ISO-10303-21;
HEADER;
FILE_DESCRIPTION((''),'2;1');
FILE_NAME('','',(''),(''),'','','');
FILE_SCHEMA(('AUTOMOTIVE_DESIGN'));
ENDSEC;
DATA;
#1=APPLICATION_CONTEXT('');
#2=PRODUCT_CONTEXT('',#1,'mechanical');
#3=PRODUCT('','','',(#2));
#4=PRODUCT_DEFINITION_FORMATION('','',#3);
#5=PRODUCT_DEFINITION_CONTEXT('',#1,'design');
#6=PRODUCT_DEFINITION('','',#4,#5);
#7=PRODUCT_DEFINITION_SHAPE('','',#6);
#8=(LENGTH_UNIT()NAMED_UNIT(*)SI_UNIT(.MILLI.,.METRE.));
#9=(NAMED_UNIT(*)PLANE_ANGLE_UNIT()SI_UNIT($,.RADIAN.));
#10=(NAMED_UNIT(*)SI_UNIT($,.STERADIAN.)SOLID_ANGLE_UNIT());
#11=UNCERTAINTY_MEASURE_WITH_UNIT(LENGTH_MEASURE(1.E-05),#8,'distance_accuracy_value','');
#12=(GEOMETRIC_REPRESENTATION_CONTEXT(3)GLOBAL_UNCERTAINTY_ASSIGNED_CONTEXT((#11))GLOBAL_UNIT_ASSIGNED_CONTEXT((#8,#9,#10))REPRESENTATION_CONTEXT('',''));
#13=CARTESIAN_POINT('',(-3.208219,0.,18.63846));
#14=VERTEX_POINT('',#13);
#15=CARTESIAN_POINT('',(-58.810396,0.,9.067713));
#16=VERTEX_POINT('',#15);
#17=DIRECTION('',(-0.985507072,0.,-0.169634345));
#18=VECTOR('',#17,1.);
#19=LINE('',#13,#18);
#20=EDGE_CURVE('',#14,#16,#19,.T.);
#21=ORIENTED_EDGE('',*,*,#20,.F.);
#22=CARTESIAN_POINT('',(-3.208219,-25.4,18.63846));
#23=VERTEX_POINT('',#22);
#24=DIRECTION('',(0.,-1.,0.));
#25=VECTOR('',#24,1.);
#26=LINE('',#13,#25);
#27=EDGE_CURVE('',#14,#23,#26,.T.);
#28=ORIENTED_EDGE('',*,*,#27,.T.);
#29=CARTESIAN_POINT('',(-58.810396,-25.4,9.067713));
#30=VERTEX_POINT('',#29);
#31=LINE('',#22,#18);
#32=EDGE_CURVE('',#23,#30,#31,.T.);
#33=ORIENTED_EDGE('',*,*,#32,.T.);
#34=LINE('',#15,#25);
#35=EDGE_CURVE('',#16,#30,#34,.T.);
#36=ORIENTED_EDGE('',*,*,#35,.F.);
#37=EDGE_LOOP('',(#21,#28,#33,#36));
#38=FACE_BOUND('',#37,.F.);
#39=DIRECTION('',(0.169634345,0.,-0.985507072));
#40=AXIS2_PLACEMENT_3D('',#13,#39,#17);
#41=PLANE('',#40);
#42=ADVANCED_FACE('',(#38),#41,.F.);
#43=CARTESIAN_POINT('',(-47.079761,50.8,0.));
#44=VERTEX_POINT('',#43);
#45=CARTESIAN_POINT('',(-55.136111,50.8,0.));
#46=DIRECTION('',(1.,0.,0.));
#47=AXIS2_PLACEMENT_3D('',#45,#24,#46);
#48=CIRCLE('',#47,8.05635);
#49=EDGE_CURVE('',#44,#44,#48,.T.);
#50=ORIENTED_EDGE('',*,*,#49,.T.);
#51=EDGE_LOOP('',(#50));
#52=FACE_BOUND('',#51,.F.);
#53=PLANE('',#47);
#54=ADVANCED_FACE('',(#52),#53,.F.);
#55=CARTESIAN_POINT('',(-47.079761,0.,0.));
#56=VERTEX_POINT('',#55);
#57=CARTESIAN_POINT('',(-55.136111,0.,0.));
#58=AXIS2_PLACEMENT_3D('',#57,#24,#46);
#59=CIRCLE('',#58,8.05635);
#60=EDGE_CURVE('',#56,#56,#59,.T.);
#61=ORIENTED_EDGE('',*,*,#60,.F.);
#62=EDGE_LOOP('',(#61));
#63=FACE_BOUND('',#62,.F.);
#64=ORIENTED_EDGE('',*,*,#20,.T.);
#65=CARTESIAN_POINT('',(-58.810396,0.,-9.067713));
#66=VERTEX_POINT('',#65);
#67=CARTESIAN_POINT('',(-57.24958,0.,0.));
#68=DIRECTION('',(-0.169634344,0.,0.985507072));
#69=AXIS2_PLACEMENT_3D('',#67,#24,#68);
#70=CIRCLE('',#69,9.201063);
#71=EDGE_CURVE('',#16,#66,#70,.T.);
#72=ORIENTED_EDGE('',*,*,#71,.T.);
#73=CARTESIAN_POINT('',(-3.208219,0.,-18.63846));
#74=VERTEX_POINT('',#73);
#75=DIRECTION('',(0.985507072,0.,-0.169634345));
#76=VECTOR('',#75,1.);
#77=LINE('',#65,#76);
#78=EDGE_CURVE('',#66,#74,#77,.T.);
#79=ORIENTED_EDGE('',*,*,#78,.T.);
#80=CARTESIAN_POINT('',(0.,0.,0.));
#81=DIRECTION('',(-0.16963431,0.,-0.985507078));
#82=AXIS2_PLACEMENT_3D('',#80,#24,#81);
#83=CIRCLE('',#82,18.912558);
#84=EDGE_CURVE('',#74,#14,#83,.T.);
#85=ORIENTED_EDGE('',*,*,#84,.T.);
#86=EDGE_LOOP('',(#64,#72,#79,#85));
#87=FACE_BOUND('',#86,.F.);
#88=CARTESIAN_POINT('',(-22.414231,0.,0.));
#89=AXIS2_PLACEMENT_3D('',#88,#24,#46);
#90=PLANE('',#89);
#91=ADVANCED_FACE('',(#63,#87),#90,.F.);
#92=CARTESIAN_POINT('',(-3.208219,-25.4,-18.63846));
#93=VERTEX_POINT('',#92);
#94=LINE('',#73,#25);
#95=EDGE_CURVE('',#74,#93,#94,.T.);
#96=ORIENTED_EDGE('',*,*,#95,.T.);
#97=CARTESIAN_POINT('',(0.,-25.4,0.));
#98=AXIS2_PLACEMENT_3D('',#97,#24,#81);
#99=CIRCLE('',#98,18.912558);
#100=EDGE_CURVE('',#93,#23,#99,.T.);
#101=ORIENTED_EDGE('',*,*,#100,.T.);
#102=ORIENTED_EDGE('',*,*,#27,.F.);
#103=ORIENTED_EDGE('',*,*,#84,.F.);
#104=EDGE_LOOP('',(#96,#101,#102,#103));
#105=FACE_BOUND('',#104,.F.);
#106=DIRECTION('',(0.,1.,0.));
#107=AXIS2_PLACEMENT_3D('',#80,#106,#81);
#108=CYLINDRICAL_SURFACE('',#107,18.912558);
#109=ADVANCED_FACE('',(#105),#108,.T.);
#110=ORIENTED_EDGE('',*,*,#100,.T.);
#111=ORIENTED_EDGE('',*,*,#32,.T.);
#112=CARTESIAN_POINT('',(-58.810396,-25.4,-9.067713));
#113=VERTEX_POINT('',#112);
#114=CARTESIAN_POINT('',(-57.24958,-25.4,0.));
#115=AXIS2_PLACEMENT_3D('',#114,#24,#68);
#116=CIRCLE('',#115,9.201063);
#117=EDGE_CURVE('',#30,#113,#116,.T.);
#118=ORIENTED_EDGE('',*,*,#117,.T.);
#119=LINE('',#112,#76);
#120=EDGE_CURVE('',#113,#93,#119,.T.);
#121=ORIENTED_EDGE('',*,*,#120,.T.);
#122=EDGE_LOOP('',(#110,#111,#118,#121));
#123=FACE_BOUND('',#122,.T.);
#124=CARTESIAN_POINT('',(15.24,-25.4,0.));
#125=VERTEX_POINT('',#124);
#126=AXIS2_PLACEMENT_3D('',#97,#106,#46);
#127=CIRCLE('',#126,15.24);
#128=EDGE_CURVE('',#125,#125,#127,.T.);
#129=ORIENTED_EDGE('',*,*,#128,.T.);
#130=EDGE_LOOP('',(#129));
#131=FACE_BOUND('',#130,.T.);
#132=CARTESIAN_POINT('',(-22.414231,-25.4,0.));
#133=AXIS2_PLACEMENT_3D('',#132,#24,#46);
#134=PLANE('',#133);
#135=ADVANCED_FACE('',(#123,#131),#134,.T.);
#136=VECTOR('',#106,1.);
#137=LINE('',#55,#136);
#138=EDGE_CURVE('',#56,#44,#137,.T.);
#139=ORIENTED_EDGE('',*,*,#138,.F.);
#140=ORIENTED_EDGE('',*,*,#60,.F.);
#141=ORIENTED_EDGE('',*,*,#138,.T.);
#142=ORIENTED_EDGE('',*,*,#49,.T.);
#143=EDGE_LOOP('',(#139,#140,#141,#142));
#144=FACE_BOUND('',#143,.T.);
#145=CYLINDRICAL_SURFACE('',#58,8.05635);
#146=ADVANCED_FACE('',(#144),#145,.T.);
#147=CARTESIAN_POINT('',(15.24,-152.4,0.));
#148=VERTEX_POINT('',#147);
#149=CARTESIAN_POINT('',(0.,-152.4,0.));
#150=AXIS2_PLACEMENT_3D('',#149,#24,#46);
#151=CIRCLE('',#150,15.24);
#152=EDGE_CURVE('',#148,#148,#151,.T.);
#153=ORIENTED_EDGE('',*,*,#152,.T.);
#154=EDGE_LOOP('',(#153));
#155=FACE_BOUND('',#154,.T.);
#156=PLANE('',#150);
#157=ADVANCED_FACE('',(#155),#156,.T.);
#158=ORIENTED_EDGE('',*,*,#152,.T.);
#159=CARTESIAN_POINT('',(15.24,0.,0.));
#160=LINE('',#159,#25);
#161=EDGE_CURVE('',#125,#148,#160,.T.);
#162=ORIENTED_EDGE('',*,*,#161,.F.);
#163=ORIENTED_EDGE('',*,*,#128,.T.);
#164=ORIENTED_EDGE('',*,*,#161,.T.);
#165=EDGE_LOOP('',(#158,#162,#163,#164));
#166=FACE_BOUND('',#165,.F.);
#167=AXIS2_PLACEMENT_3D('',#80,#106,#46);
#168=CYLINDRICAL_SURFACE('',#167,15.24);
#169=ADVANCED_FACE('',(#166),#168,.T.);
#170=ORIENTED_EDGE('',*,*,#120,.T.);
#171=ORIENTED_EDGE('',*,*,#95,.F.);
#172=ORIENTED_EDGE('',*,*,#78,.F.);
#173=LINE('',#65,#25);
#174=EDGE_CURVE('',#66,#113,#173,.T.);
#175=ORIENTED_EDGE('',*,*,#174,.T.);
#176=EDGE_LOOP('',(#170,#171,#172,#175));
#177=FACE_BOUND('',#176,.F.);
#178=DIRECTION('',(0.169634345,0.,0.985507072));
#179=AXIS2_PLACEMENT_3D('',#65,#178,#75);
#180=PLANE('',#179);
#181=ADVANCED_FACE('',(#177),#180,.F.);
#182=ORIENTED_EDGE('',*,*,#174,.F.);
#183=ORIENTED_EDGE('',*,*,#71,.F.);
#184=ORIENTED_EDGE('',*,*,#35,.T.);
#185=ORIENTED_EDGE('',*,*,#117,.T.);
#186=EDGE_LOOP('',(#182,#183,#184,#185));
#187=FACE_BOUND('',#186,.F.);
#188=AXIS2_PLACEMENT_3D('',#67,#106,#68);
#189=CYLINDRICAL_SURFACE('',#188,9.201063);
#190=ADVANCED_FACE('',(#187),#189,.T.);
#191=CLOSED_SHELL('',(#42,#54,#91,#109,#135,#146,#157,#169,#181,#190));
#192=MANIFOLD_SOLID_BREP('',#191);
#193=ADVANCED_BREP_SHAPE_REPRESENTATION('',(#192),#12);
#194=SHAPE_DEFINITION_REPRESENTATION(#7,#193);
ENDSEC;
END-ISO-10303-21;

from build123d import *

# Parameters (mm, degrees)
F0_R     = 15.24
F1_DEPTH = 152.4
F3_DEPTH = 25.4
F4_R     = 8.05635
F5_DEPTH = 50.8


with BuildPart() as f1:
    # F0 (on Front) → F1 (new body)
    with BuildSketch(Plane.XZ):
        Circle(F0_R)
    extrude(amount=F1_DEPTH)

    # F2 (on Front) → F3 (join)
    with BuildSketch(Plane.XZ):
        with BuildLine():
            Line((-58.810396, -9.067713), (-3.208219, -18.63846))
            ThreePointArc((-3.208219, -18.63846), (18.912558, 0), (-3.208219, 18.63846))
            Line((-3.208219, 18.63846), (-58.810396, 9.067713))
            ThreePointArc((-58.810396, 9.067713), (-66.450643, 0), (-58.810396, -9.067713))
        make_face()
    extrude(amount=F3_DEPTH)

    # F4 (on Front) → F5 (join)
    with BuildSketch(Plane.XZ):
        with Locations((-55.136111, 0)):
            Circle(F4_R)
    extrude(amount=-F5_DEPTH)


solid = f1.part
